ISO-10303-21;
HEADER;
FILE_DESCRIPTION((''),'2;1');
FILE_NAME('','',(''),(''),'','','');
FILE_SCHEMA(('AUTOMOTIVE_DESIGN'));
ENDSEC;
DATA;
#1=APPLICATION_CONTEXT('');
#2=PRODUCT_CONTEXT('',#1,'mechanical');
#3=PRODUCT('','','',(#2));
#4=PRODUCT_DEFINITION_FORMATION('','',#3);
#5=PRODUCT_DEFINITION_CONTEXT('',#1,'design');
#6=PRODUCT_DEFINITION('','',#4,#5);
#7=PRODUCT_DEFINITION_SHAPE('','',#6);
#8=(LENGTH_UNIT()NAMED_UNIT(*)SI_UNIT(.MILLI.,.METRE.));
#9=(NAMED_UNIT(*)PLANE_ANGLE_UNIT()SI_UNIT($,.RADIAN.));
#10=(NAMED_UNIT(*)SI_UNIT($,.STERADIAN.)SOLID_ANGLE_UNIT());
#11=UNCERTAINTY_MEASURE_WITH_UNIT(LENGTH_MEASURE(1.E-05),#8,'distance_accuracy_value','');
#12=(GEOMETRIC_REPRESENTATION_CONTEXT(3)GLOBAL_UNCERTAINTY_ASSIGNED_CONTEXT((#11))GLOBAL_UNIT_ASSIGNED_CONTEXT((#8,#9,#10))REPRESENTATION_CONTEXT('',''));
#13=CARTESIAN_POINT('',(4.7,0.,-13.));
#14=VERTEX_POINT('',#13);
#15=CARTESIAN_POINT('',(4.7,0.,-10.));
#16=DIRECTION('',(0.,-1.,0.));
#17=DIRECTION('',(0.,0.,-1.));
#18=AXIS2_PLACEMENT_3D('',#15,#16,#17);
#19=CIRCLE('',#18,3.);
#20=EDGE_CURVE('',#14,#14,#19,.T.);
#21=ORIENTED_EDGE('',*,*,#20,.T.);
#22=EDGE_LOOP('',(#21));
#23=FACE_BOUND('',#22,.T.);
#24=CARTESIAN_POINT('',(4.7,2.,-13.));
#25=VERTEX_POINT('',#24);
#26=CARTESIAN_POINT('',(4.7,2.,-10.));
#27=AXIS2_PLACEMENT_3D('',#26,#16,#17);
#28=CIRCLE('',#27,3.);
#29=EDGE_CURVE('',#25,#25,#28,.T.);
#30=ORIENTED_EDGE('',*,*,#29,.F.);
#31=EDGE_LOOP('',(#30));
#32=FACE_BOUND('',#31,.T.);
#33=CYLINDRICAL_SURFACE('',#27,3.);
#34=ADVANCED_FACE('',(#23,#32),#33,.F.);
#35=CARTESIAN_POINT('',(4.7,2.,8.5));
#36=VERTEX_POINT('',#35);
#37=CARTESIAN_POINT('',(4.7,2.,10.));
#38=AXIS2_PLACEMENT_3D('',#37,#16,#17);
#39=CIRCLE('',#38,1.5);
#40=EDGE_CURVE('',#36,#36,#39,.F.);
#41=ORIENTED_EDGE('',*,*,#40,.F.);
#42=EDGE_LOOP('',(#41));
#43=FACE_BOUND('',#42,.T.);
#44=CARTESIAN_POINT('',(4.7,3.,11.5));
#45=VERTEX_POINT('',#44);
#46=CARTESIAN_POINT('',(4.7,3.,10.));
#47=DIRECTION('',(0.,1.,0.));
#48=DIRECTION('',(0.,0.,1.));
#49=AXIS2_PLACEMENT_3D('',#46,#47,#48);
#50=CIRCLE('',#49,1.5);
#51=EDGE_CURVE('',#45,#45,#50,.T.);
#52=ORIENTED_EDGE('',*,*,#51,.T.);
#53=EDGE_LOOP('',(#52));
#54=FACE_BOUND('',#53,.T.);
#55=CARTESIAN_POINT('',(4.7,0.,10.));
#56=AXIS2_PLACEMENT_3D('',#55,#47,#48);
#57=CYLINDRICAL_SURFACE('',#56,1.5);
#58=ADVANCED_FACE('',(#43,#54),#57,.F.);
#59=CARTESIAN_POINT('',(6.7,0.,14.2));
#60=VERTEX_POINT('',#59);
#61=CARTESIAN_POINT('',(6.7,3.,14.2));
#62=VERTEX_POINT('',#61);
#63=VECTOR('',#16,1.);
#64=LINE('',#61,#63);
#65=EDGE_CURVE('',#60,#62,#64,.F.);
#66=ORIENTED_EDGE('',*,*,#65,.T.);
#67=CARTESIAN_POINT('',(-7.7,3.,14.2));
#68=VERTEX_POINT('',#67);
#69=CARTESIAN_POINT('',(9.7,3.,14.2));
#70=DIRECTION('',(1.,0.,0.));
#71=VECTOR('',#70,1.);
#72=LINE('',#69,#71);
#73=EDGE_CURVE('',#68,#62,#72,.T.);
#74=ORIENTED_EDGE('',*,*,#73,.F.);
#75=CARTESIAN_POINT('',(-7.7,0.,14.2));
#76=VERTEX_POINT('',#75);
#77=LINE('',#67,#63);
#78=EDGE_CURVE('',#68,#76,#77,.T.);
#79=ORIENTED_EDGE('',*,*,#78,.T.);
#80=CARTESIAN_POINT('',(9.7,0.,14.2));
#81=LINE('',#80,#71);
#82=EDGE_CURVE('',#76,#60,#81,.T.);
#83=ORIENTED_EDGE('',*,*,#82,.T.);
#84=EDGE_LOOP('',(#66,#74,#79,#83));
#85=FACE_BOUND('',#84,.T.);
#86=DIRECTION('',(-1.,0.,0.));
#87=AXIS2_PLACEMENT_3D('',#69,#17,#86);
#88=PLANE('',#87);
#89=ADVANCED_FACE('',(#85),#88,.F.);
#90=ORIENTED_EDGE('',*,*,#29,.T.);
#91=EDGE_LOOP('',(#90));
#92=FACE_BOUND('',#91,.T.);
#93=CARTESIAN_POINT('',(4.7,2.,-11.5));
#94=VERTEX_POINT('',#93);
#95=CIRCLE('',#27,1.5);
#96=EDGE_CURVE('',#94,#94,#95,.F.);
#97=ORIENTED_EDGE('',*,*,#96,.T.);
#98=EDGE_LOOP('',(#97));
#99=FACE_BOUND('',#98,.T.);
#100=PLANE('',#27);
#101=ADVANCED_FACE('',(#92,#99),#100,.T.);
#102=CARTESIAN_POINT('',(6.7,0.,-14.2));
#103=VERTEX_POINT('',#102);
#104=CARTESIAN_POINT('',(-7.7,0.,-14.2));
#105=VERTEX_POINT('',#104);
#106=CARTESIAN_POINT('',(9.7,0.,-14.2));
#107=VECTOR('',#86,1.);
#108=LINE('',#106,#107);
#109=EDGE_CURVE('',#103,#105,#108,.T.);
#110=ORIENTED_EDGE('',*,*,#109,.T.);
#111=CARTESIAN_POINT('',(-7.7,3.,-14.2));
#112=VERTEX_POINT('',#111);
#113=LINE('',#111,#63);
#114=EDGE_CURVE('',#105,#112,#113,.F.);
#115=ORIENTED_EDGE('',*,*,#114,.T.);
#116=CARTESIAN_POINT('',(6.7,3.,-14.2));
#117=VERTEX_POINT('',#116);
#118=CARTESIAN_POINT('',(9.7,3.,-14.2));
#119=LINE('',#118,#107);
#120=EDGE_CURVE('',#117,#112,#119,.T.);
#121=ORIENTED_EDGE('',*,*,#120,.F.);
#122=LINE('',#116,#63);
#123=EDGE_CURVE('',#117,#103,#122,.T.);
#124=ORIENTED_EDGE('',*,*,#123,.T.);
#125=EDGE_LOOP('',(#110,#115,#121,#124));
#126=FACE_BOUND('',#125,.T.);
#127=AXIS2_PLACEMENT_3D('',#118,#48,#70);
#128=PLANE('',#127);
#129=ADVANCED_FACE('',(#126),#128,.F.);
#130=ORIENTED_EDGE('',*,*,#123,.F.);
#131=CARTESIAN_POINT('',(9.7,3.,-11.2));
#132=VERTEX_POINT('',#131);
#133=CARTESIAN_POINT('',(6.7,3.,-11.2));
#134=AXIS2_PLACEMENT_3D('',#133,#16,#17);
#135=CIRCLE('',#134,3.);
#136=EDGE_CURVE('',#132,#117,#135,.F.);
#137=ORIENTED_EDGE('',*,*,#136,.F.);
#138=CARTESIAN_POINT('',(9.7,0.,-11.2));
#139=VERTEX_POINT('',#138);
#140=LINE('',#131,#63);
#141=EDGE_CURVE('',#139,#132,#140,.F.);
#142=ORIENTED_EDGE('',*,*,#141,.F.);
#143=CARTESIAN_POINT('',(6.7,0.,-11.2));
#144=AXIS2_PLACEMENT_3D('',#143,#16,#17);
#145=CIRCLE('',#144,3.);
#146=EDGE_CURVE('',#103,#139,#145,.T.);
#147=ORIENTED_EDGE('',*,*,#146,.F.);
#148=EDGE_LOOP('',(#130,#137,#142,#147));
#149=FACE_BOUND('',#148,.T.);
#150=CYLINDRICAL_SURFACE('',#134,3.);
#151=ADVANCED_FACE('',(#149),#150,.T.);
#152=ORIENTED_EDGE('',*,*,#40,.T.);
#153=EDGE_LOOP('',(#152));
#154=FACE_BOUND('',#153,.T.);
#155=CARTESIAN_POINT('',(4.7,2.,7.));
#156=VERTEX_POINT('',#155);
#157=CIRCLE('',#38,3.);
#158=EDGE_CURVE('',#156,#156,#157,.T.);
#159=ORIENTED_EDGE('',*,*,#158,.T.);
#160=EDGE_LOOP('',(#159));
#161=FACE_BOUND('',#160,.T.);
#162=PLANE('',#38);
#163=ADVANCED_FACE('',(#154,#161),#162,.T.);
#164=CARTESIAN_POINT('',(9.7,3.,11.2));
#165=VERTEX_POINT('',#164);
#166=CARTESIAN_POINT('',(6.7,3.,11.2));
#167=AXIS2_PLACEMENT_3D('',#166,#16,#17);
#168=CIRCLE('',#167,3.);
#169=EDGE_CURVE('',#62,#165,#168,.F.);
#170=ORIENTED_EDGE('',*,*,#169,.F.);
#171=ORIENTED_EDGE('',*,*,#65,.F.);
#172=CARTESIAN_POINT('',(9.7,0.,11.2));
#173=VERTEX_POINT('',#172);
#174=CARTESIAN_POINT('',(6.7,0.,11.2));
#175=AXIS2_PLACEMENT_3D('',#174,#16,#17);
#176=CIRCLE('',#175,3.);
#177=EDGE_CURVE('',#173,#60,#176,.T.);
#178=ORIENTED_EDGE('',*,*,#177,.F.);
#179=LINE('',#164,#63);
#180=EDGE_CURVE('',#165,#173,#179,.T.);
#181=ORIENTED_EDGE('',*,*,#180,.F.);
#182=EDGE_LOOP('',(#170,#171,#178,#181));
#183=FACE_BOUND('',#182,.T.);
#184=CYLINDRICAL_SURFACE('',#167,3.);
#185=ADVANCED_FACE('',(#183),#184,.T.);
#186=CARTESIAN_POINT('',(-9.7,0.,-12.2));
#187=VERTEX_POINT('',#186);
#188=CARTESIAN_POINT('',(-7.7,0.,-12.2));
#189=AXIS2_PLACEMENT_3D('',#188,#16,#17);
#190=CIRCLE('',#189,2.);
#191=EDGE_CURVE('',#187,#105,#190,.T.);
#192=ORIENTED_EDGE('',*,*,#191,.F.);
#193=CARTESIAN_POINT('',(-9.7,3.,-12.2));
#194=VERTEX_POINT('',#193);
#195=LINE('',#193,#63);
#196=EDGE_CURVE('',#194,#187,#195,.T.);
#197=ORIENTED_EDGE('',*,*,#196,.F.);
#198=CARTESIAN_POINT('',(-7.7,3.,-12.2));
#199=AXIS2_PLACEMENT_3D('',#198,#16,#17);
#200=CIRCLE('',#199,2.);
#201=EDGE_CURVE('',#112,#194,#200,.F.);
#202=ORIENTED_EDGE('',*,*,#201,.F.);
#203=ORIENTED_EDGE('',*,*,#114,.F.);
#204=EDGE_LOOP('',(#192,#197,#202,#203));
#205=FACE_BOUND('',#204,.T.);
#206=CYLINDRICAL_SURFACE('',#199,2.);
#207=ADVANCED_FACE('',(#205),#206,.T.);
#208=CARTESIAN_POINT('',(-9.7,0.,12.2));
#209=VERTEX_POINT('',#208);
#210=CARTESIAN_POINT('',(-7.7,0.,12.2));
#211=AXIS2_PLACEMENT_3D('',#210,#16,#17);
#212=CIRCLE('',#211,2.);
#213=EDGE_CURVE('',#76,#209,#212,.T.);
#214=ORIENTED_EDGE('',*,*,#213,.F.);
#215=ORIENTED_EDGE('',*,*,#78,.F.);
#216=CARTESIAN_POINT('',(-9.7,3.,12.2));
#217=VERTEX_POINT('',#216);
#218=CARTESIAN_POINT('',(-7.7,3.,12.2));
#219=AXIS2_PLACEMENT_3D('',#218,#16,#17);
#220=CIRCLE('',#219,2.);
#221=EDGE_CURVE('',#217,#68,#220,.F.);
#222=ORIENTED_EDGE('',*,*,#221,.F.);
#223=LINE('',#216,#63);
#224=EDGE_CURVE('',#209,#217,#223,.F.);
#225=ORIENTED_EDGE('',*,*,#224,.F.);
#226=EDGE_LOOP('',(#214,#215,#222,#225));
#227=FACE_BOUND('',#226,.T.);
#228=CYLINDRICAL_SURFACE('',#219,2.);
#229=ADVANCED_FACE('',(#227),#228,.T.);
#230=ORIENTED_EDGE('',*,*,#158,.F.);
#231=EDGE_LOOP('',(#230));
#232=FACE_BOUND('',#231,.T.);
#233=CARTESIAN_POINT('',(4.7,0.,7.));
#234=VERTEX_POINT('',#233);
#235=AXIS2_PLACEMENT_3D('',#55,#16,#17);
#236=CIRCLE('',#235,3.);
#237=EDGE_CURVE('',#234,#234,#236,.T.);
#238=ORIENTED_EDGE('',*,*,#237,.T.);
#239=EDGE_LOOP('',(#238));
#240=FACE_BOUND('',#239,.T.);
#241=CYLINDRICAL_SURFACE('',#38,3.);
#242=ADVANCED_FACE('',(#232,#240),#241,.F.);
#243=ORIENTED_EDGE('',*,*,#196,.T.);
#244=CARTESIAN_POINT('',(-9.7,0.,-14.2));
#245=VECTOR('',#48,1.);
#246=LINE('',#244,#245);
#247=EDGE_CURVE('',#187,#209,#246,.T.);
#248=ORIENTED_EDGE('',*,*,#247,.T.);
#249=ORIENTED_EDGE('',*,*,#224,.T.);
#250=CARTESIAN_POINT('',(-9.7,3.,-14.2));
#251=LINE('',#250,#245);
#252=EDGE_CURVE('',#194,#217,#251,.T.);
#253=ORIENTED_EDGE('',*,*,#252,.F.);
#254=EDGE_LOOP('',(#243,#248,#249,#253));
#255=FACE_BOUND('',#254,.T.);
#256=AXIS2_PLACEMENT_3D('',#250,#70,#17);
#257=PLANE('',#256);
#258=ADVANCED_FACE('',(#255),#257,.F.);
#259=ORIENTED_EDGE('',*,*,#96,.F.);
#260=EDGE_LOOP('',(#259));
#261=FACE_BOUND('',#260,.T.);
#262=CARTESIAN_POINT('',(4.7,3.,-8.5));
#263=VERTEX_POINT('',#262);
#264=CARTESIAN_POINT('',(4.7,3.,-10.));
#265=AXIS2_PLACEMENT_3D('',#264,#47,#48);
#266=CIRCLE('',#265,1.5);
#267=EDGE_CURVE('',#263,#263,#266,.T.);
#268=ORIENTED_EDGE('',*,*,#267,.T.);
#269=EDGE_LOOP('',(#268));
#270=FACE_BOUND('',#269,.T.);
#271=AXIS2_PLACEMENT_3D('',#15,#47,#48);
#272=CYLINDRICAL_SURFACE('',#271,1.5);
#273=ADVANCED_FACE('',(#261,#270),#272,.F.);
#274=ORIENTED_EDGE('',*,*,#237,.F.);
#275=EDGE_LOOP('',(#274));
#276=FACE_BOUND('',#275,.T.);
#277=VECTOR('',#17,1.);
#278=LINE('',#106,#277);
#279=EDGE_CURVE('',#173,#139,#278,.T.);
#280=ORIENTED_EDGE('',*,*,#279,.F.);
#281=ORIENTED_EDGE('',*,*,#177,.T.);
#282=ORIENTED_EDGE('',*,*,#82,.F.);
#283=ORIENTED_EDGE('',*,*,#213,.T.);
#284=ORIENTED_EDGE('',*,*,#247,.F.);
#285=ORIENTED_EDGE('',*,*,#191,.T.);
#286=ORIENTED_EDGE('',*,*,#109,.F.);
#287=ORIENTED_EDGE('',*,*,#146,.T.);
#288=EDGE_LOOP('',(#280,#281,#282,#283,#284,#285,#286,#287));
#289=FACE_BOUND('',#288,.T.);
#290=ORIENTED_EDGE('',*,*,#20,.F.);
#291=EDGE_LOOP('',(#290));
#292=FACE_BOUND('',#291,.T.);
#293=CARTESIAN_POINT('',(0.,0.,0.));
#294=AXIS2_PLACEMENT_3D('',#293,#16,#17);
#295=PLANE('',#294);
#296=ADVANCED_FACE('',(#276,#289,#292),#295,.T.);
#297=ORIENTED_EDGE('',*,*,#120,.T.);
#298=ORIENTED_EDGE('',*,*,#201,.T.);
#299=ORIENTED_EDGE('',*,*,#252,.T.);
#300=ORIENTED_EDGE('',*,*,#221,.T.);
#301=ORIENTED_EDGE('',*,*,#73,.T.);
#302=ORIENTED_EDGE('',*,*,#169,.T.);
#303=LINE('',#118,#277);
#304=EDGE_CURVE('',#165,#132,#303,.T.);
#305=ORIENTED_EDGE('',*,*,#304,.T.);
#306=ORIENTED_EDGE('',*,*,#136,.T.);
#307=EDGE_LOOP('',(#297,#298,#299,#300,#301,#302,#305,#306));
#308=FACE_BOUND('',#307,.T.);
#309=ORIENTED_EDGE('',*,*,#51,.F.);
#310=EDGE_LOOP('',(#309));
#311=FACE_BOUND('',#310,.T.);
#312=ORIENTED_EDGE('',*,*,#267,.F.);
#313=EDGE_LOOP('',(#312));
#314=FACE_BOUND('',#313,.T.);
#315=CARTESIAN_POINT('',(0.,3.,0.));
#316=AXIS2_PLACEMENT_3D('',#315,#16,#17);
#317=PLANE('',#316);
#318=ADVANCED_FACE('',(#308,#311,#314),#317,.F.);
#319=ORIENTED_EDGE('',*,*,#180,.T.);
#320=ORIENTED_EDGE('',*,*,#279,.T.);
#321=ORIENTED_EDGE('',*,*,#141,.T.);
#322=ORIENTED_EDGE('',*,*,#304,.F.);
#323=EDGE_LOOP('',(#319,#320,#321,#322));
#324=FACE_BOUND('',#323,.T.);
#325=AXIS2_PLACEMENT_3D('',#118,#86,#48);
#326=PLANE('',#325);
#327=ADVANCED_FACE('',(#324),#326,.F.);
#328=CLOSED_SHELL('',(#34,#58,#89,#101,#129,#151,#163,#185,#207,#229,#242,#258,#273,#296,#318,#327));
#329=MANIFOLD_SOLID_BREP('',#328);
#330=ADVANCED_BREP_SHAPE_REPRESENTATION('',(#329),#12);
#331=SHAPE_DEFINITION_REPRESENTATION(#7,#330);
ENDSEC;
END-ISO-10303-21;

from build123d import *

# Parameters (mm, degrees)
SKETCH1_W           = 19.4
SKETCH1_H           = 28.4
BOSS_EXTRUDE1_DEPTH = 3
FILLET1_R           = 3
FILLET2_R           = 2
SKETCH2_R           = 1.5
CUT_EXTRUDE1_DEPTH  = 4
SKETCH4_R           = 3
CUT_EXTRUDE2_DEPTH  = 2


with BuildPart() as part:
    # Sketch1 → Boss-Extrude1 (new body)
    with BuildSketch(Plane(origin=(0, 0, 0), x_dir=(1, 0, 0), z_dir=(0, 1, 0))):
        Rectangle(SKETCH1_W, SKETCH1_H)
    extrude(amount=BOSS_EXTRUDE1_DEPTH)

    # Fillet1
    fillet1_edges = [part.edges().sort_by_distance(p)[0] for p in [
        (9.7, 1.5, -14.2),
        (9.7, 1.5, 14.2),
    ]]
    fillet(fillet1_edges, radius=FILLET1_R)

    # Fillet2
    fillet2_edges = [part.edges().sort_by_distance(p)[0] for p in [
        (-9.7, 1.5, -14.2),
        (-9.7, 1.5, 14.2),
    ]]
    fillet(fillet2_edges, radius=FILLET2_R)

    # Sketch2 → Cut-Extrude1 (cut, through all)
    with BuildSketch(Plane(origin=(0, 3, 0), x_dir=(1, 0, 0), z_dir=(0, 1, 0))):
        with Locations((4.7, 10)):
            Circle(SKETCH2_R)
        with Locations((4.7, -10)):
            Circle(SKETCH2_R)
    extrude(amount=-CUT_EXTRUDE1_DEPTH, mode=Mode.SUBTRACT)

    # Sketch4 → Cut-Extrude2 (cut)
    with BuildSketch(Plane.XZ):
        with Locations((4.7, 10)):
            Circle(SKETCH4_R)
        with Locations((4.7, -10)):
            Circle(SKETCH4_R)
    extrude(amount=-CUT_EXTRUDE2_DEPTH, mode=Mode.SUBTRACT)


solid = part.part
